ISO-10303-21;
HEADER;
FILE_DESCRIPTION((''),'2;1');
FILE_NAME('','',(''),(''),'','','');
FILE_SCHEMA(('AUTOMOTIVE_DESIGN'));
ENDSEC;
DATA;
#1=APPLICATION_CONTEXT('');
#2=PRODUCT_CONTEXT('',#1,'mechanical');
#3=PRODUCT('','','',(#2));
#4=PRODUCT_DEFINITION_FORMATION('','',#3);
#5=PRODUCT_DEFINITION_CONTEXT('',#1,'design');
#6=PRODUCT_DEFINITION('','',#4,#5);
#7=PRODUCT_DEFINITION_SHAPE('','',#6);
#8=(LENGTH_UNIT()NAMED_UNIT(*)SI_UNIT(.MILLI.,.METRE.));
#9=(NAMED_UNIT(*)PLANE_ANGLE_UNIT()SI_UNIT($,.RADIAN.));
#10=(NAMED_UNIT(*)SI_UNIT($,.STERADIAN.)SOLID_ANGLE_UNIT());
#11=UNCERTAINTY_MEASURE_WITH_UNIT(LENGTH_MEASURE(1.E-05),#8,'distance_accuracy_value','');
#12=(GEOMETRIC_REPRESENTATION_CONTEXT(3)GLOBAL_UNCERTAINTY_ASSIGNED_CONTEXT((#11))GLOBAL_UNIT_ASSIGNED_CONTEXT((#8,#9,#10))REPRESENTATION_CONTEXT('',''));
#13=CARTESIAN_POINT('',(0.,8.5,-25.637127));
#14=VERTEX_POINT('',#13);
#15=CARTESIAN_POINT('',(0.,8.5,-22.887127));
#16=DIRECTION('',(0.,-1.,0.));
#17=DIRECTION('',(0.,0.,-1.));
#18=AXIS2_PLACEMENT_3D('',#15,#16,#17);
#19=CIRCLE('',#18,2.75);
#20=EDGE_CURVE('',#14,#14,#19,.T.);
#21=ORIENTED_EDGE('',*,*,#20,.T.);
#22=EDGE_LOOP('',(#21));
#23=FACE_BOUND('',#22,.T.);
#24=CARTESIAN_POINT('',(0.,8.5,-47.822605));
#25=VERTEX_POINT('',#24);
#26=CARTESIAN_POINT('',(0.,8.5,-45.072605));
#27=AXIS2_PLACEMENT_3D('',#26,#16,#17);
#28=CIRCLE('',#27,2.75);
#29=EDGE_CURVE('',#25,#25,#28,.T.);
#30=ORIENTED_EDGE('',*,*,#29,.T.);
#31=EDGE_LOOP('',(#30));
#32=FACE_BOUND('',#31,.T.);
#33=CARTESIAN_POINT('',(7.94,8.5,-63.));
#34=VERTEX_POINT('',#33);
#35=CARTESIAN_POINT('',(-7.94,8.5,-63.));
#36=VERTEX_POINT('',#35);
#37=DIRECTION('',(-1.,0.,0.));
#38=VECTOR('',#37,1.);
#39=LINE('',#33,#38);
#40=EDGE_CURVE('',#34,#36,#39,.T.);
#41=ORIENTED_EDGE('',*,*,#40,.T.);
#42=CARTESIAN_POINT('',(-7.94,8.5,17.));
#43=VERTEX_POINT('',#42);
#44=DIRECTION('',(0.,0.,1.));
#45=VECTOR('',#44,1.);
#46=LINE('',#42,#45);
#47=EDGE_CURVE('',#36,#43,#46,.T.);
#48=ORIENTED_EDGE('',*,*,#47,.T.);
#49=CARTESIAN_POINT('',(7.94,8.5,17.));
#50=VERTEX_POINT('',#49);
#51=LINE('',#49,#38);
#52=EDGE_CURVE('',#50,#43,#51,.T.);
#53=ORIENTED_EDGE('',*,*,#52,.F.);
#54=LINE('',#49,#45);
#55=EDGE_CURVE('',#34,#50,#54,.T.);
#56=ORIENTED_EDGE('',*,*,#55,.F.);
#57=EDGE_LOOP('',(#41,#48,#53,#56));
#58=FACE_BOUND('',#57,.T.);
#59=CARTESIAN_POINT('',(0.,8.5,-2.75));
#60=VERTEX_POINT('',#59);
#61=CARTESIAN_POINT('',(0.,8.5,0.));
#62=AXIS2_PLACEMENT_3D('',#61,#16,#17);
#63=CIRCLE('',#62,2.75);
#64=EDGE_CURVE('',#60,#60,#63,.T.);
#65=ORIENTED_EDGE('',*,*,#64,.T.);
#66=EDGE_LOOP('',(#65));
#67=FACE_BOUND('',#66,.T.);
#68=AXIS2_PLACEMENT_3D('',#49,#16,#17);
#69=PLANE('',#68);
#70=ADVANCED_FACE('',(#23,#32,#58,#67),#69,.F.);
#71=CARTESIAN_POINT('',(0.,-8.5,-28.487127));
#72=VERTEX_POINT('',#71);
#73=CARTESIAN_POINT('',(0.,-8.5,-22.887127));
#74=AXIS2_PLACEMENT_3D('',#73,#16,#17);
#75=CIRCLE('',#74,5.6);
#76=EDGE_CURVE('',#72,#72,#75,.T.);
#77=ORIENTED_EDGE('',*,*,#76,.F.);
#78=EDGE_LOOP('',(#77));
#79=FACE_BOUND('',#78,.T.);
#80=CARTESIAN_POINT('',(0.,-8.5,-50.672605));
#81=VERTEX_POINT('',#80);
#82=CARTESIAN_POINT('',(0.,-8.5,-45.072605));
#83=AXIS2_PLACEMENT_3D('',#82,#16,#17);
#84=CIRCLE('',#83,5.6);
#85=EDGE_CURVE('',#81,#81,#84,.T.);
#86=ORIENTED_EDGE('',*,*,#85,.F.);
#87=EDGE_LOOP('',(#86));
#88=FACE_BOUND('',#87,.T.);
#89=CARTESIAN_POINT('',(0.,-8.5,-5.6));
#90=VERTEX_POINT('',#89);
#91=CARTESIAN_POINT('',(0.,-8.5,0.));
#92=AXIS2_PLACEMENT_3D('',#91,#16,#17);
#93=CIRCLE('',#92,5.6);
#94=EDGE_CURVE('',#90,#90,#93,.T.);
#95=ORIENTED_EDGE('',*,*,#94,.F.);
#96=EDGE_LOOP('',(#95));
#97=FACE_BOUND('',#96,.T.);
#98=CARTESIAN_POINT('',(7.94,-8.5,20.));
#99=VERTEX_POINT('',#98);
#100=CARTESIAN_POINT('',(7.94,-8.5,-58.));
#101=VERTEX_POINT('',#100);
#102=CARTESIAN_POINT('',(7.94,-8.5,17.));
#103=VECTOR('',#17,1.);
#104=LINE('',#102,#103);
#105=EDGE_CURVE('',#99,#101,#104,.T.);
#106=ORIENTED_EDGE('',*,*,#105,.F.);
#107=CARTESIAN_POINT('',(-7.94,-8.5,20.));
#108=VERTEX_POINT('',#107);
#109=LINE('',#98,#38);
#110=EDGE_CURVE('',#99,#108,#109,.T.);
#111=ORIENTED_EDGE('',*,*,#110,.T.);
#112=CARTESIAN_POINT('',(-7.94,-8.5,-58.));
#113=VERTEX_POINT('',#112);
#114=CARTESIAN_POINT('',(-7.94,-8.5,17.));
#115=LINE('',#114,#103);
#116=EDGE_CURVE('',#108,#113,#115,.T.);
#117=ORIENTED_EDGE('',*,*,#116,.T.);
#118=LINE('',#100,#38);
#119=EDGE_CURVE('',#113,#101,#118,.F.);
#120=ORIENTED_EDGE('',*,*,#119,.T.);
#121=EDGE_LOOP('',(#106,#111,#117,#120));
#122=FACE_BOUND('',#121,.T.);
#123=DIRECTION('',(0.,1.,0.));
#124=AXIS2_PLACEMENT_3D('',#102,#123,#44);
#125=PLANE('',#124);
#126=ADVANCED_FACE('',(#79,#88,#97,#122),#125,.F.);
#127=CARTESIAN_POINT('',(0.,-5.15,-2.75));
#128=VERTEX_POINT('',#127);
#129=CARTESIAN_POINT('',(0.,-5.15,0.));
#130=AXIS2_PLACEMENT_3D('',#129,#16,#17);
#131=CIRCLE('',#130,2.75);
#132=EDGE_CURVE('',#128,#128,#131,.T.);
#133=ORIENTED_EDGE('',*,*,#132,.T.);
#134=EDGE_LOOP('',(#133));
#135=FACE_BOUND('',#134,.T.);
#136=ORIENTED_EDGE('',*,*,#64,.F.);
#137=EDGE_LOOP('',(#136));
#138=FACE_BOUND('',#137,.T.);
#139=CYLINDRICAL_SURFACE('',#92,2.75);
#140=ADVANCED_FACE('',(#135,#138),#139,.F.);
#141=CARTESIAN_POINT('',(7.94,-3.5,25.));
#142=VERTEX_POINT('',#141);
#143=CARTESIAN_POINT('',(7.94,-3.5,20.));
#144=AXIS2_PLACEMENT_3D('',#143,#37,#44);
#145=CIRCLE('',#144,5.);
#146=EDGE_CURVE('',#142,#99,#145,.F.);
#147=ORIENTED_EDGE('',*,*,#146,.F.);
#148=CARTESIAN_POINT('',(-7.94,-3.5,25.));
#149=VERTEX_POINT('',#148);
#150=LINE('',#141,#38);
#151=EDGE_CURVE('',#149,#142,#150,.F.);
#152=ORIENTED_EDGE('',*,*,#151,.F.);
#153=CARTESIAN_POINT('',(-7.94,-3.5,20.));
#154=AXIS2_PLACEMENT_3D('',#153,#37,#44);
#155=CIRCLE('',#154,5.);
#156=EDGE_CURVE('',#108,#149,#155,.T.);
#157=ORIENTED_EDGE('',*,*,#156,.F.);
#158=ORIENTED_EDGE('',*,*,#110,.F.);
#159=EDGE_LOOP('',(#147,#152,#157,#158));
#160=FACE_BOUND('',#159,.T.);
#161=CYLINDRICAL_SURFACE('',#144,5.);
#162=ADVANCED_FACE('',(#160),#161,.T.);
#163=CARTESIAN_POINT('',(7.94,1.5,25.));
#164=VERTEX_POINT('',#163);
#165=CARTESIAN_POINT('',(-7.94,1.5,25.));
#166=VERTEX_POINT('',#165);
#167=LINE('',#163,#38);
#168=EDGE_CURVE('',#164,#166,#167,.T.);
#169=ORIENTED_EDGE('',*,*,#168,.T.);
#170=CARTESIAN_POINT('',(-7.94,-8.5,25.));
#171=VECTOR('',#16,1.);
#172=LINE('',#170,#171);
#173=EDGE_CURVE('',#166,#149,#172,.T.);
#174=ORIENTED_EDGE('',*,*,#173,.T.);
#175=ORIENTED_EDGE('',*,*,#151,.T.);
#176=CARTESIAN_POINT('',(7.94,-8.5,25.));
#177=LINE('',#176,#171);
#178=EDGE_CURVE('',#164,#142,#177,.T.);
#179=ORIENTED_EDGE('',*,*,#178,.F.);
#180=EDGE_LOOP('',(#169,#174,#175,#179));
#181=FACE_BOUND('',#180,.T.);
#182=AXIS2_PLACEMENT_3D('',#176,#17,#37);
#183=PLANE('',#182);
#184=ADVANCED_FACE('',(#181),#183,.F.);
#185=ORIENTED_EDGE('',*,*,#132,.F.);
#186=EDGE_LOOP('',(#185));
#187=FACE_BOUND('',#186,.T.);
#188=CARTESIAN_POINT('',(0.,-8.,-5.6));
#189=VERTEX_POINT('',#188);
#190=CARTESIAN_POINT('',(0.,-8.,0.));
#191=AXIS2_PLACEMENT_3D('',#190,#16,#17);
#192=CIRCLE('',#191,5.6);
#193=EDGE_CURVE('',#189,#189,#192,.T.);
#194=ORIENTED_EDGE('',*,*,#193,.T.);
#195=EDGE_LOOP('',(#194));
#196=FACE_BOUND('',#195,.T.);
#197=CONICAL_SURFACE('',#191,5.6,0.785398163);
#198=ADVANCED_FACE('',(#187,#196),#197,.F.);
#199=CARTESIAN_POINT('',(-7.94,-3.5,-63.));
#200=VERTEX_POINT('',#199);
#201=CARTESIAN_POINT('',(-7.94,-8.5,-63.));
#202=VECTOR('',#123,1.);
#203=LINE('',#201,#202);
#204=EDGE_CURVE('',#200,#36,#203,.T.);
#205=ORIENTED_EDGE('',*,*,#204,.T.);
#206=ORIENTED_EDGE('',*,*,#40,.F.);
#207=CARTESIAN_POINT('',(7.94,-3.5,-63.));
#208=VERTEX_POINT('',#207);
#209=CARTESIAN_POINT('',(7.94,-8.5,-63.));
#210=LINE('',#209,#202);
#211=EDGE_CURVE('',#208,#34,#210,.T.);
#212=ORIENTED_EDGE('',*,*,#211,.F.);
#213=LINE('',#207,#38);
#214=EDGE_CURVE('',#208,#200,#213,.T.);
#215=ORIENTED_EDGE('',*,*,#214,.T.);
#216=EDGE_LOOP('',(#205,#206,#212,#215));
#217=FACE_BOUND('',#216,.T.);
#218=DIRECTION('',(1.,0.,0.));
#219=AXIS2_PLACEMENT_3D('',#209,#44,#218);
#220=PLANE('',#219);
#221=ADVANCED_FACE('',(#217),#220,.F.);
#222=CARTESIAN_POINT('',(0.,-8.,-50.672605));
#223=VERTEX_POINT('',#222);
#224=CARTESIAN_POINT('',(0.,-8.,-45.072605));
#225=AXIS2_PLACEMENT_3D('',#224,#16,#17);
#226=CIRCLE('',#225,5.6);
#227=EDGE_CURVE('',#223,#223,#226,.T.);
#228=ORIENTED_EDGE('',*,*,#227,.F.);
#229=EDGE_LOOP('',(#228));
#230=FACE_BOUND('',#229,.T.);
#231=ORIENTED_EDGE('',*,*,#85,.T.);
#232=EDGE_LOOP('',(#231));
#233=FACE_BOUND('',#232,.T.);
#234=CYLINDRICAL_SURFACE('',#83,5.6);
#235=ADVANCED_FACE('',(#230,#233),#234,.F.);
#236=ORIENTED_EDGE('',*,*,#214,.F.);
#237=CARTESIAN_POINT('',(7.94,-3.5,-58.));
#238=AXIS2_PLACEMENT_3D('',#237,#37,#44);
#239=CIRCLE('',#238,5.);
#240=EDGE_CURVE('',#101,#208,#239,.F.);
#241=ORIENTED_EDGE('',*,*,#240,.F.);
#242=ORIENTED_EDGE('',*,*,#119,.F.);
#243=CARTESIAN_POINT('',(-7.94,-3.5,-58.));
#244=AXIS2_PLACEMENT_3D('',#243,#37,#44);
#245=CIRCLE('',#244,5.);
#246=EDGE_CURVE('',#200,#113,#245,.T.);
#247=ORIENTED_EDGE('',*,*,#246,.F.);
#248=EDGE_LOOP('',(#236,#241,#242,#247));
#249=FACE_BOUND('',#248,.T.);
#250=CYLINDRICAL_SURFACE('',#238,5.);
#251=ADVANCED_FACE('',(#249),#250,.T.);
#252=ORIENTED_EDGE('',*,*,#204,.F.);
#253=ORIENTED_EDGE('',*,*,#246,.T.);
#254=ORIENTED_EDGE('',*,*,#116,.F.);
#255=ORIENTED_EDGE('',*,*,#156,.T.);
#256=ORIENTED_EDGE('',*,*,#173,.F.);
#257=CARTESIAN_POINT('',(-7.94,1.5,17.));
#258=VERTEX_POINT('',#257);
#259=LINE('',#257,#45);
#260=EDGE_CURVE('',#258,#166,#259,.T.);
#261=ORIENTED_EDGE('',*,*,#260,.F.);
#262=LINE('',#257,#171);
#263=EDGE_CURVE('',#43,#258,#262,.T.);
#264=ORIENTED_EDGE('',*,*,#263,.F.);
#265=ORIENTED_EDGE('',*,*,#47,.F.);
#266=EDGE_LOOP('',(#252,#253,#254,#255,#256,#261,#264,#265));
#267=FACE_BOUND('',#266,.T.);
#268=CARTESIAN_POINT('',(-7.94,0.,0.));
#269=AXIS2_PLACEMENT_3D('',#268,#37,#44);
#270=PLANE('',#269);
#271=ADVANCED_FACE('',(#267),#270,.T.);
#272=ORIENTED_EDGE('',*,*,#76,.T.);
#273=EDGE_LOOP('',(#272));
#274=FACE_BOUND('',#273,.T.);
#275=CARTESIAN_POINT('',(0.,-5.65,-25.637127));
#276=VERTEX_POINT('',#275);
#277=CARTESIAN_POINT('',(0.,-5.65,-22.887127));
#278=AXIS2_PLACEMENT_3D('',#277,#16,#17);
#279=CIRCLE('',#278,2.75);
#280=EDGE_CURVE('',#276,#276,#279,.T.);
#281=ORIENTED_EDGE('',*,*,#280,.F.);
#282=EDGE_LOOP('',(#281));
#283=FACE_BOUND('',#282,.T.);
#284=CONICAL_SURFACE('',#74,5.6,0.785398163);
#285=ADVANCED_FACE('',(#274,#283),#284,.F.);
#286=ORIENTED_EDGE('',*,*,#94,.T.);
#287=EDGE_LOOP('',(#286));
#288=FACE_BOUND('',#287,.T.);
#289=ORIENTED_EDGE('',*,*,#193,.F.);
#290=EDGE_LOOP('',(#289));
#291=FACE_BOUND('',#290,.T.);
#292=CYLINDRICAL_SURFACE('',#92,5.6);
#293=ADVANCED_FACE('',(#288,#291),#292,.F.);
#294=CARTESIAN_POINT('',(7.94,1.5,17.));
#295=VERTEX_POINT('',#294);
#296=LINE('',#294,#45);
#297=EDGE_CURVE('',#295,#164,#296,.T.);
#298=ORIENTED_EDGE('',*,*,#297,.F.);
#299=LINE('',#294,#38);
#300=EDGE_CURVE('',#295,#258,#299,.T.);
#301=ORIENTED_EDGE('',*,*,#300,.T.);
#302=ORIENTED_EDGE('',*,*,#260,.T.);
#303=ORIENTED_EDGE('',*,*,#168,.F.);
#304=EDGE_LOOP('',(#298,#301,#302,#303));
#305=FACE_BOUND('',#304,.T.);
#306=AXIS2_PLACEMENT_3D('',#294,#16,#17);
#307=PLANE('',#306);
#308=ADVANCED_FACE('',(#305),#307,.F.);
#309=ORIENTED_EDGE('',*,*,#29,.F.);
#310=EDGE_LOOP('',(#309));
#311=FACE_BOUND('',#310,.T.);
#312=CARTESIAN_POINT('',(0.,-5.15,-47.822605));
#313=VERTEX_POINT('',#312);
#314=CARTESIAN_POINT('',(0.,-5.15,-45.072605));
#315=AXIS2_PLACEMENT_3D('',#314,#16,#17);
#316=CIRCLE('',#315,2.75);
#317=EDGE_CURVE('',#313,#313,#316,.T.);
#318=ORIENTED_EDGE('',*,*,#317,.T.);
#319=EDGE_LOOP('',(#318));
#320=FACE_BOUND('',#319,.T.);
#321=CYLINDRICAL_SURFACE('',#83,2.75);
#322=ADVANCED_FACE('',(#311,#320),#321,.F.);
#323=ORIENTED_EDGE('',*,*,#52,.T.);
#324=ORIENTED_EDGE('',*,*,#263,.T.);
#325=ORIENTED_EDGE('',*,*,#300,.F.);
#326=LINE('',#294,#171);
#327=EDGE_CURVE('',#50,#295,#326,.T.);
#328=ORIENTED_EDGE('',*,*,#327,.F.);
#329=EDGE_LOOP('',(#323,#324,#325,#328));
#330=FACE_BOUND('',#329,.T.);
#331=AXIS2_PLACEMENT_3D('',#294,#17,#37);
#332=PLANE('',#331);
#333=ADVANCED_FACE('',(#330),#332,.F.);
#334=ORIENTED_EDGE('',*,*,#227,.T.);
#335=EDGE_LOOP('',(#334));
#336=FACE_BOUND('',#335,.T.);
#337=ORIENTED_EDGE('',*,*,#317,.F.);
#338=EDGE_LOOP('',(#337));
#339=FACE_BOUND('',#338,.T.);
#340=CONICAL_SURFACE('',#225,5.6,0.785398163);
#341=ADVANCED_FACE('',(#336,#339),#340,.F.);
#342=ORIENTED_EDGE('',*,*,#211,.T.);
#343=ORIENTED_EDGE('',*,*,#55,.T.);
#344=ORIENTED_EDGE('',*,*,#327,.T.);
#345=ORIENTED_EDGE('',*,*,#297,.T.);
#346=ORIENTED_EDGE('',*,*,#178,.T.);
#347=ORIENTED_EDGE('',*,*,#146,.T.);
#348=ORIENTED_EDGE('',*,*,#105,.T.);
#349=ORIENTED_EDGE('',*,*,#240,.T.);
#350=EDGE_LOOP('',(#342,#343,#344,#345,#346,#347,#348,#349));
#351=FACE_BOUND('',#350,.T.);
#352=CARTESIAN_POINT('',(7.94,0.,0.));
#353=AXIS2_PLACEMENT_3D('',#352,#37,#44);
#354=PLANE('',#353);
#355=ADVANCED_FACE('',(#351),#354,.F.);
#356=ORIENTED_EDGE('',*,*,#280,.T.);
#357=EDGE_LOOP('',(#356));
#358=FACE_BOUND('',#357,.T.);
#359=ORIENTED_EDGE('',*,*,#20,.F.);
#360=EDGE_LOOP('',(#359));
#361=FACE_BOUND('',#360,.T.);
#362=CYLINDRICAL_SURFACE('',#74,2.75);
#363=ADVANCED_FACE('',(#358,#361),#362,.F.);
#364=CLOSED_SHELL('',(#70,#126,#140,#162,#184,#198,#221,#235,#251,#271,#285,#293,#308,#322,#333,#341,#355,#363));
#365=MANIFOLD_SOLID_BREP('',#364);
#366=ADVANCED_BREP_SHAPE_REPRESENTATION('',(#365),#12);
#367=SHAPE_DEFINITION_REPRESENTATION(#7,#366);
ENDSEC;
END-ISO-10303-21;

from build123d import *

# Parameters (mm, degrees)
RESSALTO_EXTRUS_O1_DEPTH             = 7.94
FILETE1_R                            = 5
ESCAREADO_PARA_SFHCS_M51_AT_2_COUNT  = 2
ESCAREADO_PARA_SFHCS_M51_AT_2_PITCH  = 45.072604626
ESCAREADO_PARA_SFHCS_M51_AT_3_COUNT  = 2
ESCAREADO_PARA_SFHCS_M51_AT_3_PITCH  = 80.029473244
ESCAREADO_PARA_SFHCS_M51_AT_4_COUNT  = 2
ESCAREADO_PARA_SFHCS_M51_AT_4_PITCH  = 73.938988881
ESCAREADO_PARA_SFHCS_M52_D           = 5.5
ESCAREADO_PARA_SFHCS_M52_CSINK_D     = 11.2
ESCAREADO_PARA_SFHCS_M52_CSINK_ANGLE = 90


with BuildPart() as part:
    # Esboço1 → Ressalto-extrusão1 (new, symmetric)
    with BuildSketch(Plane(origin=(0, 0, 0), x_dir=(0, 0, -1), z_dir=(1, 0, 0))):
        Polygon((-17, -8.5), (63, -8.5), (63, 8.5), (-17, 8.5), (-17, 1.5), (-25, 1.5), (-25, -8.5), align=None)
    extrude(amount=RESSALTO_EXTRUS_O1_DEPTH, both=True)

    # Filete1
    filete1_edges = [part.edges().sort_by_distance(p)[0] for p in [
        (0, -8.5, -63),
        (0, -8.5, 25),
    ]]
    fillet(filete1_edges, radius=FILETE1_R)

    # Esboço3 → Escareado para SFHCS M51 (revolve, cut)
    with BuildSketch(Plane(origin=(0, -8.5, -45.072604626), x_dir=(0, 0, -1), z_dir=(1, 0, 0))):
        Polygon((0, 0), (0, 31.652366702), (2.75, 30), (2.75, 3.35), (5.6, 0.5), (5.6, 0), align=None)
    escareado_para_sfhcs_m51 = revolve(axis=Axis((0, -14.85, -45.072604626), (0, 1, 0)), mode=Mode.SUBTRACT)

    # Escareado para SFHCS M51 at 2: Escareado para SFHCS M51 ×2
    with Locations(*[(0, 0, i * ESCAREADO_PARA_SFHCS_M51_AT_2_PITCH) for i in range(1, ESCAREADO_PARA_SFHCS_M51_AT_2_COUNT)]):
        add(escareado_para_sfhcs_m51, mode=Mode.SUBTRACT)

    # Escareado para SFHCS M51 at 3: Escareado para SFHCS M51 ×2
    with Locations(*[Vector(-0.8263205706487303, 0, 0.563200066160114) * (i * ESCAREADO_PARA_SFHCS_M51_AT_3_PITCH) for i in range(1, ESCAREADO_PARA_SFHCS_M51_AT_3_COUNT)]):
        add(escareado_para_sfhcs_m51, mode=Mode.SUBTRACT)

    # Escareado para SFHCS M51 at 4: Escareado para SFHCS M51 ×2
    with Locations(*[Vector(-0.894386047210078, 0, 0.44729587361827106) * (i * ESCAREADO_PARA_SFHCS_M51_AT_4_PITCH) for i in range(1, ESCAREADO_PARA_SFHCS_M51_AT_4_COUNT)]):
        add(escareado_para_sfhcs_m51, mode=Mode.SUBTRACT)

    # Escareado para SFHCS M52 (through all)
    with Locations(Plane(origin=(0, -8.5, 0), x_dir=(-1, 0, 0), z_dir=(0, -1, 0))):
        with Locations((0, 22.887127338)):
            CounterSinkHole(ESCAREADO_PARA_SFHCS_M52_D / 2, ESCAREADO_PARA_SFHCS_M52_CSINK_D / 2, counter_sink_angle=ESCAREADO_PARA_SFHCS_M52_CSINK_ANGLE)


solid = part.part
